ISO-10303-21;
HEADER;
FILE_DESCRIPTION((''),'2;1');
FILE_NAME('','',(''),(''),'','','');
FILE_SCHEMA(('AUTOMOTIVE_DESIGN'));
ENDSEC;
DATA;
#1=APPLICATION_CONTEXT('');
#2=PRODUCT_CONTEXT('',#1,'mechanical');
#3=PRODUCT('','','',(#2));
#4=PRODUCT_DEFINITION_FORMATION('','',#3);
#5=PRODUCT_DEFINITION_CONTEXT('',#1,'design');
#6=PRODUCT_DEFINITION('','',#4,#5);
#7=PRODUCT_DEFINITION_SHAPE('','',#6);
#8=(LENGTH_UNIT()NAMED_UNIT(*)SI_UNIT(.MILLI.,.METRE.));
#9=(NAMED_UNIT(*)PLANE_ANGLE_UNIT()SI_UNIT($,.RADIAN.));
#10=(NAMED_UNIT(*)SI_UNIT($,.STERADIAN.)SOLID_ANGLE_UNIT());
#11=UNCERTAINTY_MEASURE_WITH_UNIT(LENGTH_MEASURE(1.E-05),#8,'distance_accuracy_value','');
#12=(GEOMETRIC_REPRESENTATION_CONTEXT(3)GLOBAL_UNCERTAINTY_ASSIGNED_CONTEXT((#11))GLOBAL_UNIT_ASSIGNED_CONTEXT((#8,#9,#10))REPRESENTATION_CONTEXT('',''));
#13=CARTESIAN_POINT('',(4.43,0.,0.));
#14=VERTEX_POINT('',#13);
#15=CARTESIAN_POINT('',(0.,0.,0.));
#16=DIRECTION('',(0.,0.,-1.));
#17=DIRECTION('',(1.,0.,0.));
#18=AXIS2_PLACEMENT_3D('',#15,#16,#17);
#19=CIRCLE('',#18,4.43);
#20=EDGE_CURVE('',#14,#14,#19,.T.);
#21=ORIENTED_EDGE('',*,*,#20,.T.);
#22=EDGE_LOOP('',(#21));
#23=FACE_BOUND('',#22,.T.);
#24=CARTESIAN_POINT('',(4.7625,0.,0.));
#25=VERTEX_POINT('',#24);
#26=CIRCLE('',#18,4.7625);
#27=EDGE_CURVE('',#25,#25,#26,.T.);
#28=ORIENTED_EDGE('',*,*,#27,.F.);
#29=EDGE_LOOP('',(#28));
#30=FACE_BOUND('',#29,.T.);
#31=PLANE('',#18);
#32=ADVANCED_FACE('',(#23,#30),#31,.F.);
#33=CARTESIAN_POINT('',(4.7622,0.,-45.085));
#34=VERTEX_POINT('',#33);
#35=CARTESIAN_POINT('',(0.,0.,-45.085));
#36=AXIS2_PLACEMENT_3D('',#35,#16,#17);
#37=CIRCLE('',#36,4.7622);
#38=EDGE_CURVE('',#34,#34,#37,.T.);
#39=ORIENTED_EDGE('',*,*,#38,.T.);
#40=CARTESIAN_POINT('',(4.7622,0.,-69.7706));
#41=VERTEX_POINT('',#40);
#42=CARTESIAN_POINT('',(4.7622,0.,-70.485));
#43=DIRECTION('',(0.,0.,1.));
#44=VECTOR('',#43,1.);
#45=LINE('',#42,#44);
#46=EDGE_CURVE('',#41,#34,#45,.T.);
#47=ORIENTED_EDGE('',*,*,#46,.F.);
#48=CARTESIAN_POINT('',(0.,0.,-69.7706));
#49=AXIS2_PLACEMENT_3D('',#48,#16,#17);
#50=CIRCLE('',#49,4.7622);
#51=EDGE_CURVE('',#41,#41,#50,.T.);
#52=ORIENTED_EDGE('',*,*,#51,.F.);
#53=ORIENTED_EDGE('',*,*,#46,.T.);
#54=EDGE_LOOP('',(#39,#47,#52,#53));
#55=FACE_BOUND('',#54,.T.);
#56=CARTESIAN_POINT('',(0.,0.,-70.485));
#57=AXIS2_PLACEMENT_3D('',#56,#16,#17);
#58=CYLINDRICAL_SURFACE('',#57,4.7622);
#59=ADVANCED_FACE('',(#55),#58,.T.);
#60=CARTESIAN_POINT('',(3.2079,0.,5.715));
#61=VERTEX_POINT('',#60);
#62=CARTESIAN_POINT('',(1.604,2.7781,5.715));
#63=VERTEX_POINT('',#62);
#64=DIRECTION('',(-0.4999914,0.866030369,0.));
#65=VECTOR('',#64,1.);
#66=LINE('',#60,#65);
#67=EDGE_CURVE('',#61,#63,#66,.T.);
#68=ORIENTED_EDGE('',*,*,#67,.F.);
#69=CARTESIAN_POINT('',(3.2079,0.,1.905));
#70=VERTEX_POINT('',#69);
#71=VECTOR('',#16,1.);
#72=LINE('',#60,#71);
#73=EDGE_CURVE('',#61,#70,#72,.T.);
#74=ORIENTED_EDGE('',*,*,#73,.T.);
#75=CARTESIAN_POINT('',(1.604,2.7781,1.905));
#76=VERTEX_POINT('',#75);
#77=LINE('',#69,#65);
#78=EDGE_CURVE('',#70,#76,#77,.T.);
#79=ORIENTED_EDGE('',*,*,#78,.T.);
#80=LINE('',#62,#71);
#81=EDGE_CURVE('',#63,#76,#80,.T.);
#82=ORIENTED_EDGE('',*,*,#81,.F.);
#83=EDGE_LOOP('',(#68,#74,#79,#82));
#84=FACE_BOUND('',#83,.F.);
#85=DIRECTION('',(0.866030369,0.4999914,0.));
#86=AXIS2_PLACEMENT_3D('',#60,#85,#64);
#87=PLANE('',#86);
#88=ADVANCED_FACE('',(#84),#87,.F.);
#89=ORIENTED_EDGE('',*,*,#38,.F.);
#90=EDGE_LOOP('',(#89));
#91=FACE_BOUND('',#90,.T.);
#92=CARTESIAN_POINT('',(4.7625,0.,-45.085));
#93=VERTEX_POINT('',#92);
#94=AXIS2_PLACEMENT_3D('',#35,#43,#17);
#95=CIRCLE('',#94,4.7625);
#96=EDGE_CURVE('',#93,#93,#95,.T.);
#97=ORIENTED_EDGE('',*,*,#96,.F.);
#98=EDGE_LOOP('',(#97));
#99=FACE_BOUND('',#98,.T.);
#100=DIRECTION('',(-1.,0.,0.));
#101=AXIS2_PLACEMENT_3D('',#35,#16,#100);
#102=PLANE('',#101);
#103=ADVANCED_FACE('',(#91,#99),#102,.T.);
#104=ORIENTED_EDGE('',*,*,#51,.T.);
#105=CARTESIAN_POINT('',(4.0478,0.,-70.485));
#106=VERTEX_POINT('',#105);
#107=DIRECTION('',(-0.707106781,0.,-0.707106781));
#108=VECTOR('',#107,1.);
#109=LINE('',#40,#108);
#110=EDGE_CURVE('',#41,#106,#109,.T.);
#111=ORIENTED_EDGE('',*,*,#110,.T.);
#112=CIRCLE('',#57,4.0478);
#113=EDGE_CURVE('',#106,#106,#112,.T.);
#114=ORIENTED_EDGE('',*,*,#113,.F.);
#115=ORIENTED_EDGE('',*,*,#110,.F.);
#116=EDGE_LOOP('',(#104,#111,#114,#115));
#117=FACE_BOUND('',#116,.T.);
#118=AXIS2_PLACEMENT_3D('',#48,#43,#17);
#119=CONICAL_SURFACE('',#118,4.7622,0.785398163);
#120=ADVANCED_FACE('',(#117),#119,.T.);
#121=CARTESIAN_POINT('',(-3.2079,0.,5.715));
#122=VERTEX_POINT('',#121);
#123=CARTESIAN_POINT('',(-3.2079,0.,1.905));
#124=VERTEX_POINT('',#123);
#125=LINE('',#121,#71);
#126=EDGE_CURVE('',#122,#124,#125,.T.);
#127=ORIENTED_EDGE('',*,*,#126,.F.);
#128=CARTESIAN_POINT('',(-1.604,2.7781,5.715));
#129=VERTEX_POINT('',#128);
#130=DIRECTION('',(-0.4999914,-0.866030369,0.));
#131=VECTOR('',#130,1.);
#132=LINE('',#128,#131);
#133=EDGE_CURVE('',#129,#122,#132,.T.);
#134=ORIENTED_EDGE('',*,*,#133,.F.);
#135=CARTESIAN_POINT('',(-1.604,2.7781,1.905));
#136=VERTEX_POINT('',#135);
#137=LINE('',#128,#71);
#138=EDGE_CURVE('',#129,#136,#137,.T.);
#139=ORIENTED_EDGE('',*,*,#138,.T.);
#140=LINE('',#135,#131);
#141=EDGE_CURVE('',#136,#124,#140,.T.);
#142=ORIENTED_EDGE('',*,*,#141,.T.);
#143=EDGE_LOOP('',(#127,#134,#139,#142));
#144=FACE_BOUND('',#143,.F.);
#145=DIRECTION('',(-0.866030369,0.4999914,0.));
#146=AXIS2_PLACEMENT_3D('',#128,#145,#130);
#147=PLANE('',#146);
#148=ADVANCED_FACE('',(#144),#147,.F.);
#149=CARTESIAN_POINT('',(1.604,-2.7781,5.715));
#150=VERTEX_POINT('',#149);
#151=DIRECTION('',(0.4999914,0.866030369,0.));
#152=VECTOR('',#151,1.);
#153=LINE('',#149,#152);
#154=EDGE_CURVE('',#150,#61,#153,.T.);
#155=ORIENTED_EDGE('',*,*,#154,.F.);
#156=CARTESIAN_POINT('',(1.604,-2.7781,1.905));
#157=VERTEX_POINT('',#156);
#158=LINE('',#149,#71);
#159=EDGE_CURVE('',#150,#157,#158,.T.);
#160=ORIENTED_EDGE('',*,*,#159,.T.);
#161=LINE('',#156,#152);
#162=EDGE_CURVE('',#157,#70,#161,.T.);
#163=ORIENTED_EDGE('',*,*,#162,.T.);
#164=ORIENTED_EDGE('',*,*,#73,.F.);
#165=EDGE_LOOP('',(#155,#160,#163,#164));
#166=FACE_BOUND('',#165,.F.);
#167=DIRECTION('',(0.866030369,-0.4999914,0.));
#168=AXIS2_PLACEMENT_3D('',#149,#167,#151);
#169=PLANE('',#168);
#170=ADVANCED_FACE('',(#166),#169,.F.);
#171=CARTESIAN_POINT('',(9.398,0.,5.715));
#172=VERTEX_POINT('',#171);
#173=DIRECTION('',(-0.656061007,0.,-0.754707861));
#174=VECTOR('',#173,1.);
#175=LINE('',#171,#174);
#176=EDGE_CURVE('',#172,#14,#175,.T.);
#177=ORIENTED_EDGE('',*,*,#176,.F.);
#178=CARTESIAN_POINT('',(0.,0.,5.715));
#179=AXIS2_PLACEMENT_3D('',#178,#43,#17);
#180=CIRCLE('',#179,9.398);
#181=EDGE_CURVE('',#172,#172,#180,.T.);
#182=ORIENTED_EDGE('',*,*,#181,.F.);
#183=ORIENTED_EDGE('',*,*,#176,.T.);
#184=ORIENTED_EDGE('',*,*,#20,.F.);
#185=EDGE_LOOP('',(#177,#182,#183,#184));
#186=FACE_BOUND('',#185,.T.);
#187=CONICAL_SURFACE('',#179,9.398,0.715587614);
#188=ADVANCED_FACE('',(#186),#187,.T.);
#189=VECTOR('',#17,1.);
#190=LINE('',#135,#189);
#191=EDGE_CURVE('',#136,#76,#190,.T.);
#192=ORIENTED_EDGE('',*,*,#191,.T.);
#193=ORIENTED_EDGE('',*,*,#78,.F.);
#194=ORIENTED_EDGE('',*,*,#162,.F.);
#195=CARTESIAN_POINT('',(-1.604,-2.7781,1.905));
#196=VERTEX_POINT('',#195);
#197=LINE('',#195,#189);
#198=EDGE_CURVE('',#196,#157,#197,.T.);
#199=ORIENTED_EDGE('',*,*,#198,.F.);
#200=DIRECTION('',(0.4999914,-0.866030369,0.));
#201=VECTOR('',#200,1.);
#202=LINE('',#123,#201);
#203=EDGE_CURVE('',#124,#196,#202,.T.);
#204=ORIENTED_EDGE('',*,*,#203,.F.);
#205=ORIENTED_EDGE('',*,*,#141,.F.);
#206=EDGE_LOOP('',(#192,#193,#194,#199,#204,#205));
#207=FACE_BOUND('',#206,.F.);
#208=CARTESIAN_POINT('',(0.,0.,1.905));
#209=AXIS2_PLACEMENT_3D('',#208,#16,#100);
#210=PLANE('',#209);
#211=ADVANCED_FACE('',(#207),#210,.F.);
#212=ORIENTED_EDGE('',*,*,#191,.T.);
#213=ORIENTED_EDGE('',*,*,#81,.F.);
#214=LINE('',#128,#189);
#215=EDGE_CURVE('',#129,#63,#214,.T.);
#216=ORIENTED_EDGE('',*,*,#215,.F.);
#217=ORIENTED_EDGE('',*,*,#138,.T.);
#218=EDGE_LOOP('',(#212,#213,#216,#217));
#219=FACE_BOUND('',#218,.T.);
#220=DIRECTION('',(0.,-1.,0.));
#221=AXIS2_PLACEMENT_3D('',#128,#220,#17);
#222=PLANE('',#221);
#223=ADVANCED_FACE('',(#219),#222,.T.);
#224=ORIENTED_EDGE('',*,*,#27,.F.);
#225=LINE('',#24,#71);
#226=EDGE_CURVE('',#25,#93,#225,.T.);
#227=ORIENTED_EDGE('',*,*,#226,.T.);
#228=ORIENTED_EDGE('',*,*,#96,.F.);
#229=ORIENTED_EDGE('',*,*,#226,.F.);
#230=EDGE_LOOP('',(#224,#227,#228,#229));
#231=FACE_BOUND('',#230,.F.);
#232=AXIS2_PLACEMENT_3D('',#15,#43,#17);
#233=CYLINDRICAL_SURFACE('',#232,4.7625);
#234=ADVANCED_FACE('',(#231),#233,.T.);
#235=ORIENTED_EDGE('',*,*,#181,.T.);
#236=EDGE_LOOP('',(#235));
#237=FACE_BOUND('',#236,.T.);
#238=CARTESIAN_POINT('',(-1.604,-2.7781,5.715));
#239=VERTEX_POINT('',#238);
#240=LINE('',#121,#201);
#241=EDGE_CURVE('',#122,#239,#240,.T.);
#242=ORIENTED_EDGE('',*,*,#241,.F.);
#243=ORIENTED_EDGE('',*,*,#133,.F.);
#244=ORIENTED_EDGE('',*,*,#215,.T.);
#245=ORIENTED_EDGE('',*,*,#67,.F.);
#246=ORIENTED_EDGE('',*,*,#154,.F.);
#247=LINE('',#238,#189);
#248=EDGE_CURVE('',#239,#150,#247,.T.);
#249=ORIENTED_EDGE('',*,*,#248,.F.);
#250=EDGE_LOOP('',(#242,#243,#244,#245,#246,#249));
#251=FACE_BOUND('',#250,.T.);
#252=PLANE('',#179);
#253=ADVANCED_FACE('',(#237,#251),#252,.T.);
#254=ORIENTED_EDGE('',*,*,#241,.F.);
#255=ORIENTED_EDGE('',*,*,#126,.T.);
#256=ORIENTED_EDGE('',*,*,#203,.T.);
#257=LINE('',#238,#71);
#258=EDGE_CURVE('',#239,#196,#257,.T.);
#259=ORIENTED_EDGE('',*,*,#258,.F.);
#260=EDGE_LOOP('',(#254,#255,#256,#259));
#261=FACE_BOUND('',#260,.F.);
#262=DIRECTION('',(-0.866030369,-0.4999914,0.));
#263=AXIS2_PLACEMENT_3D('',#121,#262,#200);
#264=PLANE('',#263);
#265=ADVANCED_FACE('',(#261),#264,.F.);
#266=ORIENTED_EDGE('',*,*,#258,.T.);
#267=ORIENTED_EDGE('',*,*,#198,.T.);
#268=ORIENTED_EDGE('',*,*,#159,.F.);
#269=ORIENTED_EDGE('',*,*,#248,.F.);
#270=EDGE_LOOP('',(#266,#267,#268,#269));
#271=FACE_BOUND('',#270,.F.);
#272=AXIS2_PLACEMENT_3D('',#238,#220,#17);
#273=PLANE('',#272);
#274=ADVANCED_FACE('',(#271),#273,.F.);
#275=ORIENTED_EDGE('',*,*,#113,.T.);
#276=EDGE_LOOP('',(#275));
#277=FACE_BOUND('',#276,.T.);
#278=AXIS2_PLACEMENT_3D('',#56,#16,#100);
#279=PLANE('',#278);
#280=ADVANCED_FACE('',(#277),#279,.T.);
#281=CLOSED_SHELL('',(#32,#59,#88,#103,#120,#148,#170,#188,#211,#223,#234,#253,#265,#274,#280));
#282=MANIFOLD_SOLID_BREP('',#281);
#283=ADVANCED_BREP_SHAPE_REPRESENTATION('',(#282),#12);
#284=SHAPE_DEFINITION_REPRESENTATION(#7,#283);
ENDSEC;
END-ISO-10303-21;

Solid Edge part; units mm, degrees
sketch "Sketch1" plane through (0, 0, 0) normal (0, 0, 1) x (1, 0, 0)
  circle A0 centre (0, 0) radius 9.398
  dimension "D1" = 18.796
extrude "Protrusion1" add sketch "Sketch1" along normal blind 5.715
sketch "Sketch2" plane through (0, 0, 0) normal (0, 0, -1) x (1, 0, 0)
  circle A0 centre (0, 0) radius 4.7625
extrude "Protrusion2" add sketch "Sketch2" along normal blind 70.485
sketch "Sketch3" plane through (0, 0, -70.485) normal (0, 0, -1) x (1, 0, 0)
  circle A0 centre (0, 0) radius 4.7622
extrude "Cutout1" cut sketch "Sketch3" against normal blind 25.4 flip side to cut
chamfer "Chamfer_1" distance 0.7144 angle 45 1 edges at (-4.7622, 0, -70.485)
sketch "Sketch4" plane through (0, 0, 5.715) normal (0, 0, 1) x (1, 0, 0)
  line L0 (-1.604, 2.7781) -> (1.604, 2.7781)
  line L1 (3.2079, 0) -> (1.604, 2.7781)
  line L2 (1.604, -2.7781) -> (3.2079, 0)
  line L3 (-1.604, -2.7781) -> (1.604, -2.7781)
  line L4 (-3.2079, 0) -> (-1.604, -2.7781)
  line L5 (-1.604, 2.7781) -> (-3.2079, 0)
  dimension "D1" = 5.5562
extrude "Cutout2" cut sketch "Sketch4" against normal blind 3.81
sketch "Sketch5" plane through (0, 0, 0) normal (0, -1, 0) x (1, 0, 0)
  line L0 (9.398, 5.715) -> (4.43, 0)
  line L1 (4.43, 0) -> (9.398, 0)
  line L2 (9.398, 0) -> (9.398, 5.715)
revolve "RevolvedCutout1" cut sketch "Sketch5" angle 360 about axis through (0, 0, 14.0017) along (0, 0, -1)
properties part number "24103259"
